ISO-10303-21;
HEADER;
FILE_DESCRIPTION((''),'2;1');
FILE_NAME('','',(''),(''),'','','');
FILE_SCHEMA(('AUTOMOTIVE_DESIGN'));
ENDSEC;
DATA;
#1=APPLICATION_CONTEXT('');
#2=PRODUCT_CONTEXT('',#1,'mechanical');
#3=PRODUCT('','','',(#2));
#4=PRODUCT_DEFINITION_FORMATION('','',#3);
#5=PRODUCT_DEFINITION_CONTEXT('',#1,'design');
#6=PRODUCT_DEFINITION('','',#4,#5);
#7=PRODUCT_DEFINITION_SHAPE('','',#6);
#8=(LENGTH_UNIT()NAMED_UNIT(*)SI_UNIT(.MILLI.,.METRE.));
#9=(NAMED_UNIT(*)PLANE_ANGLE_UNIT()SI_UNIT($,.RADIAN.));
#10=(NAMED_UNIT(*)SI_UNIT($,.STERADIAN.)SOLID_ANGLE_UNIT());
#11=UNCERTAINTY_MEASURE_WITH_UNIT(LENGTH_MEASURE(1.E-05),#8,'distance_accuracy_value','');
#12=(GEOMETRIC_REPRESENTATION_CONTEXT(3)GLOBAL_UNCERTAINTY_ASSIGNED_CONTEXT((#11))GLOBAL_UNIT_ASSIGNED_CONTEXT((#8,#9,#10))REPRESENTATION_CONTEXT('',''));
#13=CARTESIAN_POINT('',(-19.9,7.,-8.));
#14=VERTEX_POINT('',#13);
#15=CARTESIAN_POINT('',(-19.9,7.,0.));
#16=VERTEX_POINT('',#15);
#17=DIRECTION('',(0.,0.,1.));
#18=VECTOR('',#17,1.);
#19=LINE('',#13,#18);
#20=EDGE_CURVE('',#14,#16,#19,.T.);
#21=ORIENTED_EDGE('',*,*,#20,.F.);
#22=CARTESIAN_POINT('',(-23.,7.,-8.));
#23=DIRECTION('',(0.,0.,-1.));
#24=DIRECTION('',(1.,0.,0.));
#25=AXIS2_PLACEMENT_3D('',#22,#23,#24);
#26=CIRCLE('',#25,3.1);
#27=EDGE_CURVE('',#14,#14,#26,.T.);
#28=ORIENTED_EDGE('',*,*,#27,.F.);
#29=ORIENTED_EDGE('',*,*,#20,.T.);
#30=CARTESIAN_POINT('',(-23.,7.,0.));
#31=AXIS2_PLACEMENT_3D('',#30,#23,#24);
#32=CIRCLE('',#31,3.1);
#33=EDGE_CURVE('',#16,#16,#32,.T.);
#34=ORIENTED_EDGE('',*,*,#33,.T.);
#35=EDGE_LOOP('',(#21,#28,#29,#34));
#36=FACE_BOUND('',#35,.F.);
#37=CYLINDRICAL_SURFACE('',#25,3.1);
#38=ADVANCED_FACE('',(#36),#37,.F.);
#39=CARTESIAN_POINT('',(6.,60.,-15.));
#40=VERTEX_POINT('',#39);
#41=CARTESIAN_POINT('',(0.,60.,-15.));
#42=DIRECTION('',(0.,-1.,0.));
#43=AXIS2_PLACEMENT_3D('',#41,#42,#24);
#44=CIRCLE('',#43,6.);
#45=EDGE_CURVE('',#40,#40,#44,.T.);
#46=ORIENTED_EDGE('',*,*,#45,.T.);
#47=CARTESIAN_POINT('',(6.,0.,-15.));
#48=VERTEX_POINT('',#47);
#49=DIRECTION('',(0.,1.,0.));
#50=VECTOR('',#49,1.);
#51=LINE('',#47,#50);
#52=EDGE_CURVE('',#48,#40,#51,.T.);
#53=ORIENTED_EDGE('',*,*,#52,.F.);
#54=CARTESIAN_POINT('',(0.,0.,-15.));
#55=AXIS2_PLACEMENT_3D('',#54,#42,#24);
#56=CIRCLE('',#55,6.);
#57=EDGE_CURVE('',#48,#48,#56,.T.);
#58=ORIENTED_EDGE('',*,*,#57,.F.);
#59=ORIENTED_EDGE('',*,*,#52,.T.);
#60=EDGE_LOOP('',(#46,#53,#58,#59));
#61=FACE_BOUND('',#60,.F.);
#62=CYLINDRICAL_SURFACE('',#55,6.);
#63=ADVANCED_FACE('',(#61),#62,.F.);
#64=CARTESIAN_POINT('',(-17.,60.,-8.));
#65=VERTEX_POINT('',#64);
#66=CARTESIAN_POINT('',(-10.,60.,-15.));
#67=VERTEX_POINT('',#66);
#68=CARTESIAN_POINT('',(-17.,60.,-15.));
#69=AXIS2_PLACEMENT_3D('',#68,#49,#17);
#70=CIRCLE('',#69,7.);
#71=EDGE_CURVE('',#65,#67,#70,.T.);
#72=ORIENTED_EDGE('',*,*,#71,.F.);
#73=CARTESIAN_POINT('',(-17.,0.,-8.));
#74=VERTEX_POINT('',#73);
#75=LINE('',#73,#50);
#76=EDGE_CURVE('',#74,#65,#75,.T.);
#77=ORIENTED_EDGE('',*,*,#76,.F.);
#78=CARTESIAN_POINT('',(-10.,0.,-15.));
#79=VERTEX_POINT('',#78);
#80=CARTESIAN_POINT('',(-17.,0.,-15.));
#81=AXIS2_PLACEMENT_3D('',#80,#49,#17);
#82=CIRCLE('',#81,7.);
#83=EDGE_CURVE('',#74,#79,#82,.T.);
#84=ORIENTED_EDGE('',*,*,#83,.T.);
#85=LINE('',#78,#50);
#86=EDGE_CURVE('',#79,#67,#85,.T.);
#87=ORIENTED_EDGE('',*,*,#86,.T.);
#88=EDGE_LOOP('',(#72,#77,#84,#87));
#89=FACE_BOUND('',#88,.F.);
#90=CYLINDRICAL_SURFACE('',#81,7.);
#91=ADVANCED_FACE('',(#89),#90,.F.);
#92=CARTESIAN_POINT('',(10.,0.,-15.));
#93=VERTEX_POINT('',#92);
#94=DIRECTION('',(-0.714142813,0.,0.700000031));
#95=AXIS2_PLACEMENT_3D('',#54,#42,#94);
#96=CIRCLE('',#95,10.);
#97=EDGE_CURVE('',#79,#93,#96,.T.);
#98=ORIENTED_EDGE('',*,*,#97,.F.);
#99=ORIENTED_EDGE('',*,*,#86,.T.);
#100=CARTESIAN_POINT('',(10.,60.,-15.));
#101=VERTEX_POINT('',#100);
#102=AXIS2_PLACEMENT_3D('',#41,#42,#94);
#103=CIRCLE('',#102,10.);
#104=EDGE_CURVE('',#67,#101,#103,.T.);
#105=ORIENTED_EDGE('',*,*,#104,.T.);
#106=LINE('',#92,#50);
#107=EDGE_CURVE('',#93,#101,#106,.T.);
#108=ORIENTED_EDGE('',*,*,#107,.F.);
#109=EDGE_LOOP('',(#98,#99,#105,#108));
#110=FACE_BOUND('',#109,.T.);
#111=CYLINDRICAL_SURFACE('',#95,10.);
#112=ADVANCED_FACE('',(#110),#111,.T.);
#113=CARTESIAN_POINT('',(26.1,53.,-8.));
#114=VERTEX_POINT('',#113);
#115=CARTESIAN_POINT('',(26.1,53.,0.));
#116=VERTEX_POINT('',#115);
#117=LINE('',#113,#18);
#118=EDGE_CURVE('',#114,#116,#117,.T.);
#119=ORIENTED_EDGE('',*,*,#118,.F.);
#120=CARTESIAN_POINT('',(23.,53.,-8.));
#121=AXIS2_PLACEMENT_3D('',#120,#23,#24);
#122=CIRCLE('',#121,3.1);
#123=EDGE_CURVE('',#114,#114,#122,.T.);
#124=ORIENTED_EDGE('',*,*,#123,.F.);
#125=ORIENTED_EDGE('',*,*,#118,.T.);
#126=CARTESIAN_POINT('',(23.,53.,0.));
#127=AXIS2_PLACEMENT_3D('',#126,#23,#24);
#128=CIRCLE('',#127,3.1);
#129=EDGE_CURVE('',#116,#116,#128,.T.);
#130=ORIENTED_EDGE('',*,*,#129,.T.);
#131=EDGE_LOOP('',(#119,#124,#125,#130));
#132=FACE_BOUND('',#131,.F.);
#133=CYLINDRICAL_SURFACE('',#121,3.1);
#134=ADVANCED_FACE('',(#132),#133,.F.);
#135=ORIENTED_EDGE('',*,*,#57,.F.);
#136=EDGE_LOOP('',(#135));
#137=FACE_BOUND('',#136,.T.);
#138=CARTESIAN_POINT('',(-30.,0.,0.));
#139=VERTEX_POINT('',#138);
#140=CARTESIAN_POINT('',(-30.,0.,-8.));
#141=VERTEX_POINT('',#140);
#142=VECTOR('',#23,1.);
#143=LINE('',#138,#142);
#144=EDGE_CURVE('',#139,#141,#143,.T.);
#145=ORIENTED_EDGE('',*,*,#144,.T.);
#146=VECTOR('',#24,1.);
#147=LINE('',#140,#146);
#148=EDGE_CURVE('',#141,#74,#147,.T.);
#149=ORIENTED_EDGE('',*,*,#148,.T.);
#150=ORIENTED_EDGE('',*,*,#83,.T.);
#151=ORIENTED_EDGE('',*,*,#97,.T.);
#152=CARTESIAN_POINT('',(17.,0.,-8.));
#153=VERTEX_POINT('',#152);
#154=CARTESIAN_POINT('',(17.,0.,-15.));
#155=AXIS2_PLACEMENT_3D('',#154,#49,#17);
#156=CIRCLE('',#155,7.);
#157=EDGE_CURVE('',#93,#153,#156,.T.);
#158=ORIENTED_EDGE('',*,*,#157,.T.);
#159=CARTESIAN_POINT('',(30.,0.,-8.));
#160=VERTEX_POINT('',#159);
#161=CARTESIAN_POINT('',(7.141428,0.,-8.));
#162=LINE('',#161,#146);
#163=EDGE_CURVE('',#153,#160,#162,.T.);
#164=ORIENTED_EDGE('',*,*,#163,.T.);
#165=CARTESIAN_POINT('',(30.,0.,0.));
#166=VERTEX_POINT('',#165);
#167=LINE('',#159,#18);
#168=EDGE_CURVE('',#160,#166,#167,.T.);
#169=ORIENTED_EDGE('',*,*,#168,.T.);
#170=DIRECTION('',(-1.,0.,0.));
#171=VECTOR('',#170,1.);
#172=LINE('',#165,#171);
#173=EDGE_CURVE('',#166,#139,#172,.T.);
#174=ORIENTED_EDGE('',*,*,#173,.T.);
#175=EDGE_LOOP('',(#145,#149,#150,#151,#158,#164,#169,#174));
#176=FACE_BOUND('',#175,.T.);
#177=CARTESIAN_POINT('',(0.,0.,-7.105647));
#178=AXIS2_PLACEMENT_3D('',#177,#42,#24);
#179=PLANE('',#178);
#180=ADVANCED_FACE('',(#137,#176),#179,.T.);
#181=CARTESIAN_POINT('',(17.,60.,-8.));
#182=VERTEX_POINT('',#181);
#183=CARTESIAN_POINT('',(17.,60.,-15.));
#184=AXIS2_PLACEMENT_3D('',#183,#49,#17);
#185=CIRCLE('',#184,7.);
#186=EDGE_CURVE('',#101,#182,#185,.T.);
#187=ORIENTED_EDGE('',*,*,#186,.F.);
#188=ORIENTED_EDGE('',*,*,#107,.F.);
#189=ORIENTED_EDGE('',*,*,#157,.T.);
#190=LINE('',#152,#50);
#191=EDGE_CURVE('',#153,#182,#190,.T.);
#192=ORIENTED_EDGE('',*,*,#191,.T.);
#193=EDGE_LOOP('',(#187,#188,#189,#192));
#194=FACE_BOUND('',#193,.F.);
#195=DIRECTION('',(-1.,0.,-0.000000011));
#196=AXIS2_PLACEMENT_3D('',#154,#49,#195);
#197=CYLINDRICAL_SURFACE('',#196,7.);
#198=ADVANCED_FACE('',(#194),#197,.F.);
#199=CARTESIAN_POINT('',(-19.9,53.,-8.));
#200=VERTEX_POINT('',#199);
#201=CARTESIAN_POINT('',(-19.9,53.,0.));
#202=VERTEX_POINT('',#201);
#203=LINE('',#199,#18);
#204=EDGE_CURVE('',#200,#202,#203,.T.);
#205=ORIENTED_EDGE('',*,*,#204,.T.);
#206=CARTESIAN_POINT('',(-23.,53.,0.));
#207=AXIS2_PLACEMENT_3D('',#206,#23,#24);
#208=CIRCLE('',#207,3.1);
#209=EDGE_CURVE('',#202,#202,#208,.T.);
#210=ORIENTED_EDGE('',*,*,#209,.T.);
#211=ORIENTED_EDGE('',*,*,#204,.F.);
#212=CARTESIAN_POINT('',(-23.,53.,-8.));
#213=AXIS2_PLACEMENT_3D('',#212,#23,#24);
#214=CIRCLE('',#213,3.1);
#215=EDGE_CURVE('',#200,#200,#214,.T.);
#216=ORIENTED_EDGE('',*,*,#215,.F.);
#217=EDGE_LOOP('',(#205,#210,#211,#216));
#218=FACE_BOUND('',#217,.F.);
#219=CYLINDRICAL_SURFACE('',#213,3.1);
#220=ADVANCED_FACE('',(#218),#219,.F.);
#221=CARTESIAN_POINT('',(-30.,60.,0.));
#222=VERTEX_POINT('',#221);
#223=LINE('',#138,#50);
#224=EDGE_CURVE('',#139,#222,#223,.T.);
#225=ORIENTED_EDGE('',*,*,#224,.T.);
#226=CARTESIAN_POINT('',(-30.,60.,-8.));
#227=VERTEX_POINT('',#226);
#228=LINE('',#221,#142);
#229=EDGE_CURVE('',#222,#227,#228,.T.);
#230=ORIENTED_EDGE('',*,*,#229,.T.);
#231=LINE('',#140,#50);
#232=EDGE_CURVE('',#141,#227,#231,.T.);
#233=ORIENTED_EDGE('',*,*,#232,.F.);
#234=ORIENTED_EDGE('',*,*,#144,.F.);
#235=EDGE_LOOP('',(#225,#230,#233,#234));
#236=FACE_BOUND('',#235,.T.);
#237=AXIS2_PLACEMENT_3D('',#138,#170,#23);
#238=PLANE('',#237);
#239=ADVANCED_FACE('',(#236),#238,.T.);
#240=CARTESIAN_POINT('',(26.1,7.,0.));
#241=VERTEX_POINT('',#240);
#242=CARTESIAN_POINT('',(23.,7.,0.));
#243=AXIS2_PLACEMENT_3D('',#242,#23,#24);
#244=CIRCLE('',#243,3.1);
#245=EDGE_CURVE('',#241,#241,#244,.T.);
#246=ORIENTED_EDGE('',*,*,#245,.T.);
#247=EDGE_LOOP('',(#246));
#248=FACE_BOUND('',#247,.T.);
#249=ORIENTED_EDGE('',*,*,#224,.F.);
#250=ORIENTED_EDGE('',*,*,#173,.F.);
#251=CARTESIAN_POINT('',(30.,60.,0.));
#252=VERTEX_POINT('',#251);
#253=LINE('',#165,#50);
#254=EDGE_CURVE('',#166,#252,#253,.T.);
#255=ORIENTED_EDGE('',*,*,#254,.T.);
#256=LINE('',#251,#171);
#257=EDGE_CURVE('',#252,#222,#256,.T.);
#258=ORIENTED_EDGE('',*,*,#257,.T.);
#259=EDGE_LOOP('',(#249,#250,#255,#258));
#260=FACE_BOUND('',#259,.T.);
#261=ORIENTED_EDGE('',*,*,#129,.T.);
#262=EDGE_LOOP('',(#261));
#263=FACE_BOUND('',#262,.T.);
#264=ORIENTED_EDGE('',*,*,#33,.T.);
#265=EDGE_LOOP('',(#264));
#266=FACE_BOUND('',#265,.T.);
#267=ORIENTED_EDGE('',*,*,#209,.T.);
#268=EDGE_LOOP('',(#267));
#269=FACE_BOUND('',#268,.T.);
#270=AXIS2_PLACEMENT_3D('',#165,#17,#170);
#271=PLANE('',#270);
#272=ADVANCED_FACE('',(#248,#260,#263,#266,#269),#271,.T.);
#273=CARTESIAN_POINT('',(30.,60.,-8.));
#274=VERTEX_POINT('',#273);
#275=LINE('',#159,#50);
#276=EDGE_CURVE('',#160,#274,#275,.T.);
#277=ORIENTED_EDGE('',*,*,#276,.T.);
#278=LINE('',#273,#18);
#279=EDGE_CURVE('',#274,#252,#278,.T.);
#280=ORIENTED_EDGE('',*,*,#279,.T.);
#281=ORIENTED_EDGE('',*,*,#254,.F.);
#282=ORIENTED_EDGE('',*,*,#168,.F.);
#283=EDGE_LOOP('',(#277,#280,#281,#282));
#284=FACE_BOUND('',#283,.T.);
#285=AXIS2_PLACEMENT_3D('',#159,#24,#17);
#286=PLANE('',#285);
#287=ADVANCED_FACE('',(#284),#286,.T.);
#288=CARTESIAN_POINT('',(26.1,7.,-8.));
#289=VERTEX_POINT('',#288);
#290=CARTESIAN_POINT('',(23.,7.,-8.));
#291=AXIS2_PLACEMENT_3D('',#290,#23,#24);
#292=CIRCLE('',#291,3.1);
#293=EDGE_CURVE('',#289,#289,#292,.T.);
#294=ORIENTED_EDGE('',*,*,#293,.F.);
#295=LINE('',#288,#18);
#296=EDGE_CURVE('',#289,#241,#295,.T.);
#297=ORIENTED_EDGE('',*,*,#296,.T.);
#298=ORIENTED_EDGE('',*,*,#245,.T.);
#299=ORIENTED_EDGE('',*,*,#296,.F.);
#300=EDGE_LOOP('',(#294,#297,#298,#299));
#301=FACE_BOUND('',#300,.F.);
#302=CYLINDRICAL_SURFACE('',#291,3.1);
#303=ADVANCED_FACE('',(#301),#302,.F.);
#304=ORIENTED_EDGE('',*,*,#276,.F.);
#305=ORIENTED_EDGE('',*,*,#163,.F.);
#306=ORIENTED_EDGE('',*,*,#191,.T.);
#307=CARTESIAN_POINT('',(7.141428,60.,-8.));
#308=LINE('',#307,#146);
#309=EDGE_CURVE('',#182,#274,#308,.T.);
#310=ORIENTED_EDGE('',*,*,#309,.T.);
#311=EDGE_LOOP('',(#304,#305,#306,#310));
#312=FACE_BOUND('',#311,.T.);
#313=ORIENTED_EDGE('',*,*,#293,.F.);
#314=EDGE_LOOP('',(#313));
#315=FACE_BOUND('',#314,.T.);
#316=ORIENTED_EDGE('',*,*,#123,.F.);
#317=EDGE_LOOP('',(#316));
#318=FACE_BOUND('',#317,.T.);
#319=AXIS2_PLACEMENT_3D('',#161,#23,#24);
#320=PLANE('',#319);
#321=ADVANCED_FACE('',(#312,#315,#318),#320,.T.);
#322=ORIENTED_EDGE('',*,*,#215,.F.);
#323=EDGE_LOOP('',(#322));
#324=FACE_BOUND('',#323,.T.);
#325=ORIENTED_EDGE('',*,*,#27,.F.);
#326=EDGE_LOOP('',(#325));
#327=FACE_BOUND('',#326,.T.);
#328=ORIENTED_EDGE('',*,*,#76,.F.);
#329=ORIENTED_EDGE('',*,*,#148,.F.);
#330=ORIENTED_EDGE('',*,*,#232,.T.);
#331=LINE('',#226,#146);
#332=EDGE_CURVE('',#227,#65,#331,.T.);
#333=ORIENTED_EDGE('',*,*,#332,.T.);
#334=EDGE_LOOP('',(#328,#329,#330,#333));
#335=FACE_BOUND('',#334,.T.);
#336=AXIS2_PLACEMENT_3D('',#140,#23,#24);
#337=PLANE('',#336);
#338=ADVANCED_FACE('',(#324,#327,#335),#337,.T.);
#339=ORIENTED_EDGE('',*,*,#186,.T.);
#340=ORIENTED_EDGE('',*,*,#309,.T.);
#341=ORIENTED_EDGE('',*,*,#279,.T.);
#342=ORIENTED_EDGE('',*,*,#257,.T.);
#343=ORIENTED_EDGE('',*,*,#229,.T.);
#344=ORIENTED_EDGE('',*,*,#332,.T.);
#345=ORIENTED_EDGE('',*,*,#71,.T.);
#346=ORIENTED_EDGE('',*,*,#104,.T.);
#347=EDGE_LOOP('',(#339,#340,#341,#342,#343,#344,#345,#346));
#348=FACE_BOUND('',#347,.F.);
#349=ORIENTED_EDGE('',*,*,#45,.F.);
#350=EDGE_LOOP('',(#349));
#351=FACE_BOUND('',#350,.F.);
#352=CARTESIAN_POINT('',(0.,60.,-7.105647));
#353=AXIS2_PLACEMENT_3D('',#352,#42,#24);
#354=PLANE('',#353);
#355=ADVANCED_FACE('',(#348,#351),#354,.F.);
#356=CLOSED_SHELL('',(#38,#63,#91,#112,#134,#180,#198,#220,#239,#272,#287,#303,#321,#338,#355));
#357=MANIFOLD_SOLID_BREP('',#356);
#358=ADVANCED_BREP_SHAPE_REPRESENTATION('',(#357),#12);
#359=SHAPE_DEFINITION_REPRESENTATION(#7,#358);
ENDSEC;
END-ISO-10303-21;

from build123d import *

# Parameters (mm, degrees)
F0_R     = 6
F1_DEPTH = 60
F2_R     = 7
F3_R     = 3.1
F4_DEPTH = 8.001


with BuildPart() as f1:
    # F0 (on Front) → F1 (new body)
    with BuildSketch(Plane.XZ):
        with BuildLine():
            Line((-30, -8), (-7.141428, -8))
            ThreePointArc((-7.141428, -8), (0, -25), (7.141428, -8))
            Line((7.141428, -8), (30, -8))
            Line((30, -8), (30, 0))
            Line((30, 0), (-30, 0))
            Line((-30, 0), (-30, -8))
        make_face()
        with Locations((0, -15)):
            Circle(F0_R, mode=Mode.SUBTRACT)
    extrude(amount=-F1_DEPTH)

    # F2
    f2_edges = [f1.edges().sort_by_distance(p)[0] for p in [
        (7.141428, 30, -8),
        (-7.141428, 30, -8),
    ]]
    fillet(f2_edges, radius=F2_R)

    # F3 (on face) → F4 (cut, through all)
    with BuildSketch(Plane(origin=(0, 0, -8), x_dir=(1, 0, 0), z_dir=(0, 0, -1))):
        with Locations((-23, -7)):
            Circle(F3_R)
        with Locations((-23, -53)):
            Circle(F3_R)
        with Locations((23, -7)):
            Circle(F3_R)
        with Locations((23, -53)):
            Circle(F3_R)
    extrude(amount=-F4_DEPTH, mode=Mode.SUBTRACT)


solid = f1.part
